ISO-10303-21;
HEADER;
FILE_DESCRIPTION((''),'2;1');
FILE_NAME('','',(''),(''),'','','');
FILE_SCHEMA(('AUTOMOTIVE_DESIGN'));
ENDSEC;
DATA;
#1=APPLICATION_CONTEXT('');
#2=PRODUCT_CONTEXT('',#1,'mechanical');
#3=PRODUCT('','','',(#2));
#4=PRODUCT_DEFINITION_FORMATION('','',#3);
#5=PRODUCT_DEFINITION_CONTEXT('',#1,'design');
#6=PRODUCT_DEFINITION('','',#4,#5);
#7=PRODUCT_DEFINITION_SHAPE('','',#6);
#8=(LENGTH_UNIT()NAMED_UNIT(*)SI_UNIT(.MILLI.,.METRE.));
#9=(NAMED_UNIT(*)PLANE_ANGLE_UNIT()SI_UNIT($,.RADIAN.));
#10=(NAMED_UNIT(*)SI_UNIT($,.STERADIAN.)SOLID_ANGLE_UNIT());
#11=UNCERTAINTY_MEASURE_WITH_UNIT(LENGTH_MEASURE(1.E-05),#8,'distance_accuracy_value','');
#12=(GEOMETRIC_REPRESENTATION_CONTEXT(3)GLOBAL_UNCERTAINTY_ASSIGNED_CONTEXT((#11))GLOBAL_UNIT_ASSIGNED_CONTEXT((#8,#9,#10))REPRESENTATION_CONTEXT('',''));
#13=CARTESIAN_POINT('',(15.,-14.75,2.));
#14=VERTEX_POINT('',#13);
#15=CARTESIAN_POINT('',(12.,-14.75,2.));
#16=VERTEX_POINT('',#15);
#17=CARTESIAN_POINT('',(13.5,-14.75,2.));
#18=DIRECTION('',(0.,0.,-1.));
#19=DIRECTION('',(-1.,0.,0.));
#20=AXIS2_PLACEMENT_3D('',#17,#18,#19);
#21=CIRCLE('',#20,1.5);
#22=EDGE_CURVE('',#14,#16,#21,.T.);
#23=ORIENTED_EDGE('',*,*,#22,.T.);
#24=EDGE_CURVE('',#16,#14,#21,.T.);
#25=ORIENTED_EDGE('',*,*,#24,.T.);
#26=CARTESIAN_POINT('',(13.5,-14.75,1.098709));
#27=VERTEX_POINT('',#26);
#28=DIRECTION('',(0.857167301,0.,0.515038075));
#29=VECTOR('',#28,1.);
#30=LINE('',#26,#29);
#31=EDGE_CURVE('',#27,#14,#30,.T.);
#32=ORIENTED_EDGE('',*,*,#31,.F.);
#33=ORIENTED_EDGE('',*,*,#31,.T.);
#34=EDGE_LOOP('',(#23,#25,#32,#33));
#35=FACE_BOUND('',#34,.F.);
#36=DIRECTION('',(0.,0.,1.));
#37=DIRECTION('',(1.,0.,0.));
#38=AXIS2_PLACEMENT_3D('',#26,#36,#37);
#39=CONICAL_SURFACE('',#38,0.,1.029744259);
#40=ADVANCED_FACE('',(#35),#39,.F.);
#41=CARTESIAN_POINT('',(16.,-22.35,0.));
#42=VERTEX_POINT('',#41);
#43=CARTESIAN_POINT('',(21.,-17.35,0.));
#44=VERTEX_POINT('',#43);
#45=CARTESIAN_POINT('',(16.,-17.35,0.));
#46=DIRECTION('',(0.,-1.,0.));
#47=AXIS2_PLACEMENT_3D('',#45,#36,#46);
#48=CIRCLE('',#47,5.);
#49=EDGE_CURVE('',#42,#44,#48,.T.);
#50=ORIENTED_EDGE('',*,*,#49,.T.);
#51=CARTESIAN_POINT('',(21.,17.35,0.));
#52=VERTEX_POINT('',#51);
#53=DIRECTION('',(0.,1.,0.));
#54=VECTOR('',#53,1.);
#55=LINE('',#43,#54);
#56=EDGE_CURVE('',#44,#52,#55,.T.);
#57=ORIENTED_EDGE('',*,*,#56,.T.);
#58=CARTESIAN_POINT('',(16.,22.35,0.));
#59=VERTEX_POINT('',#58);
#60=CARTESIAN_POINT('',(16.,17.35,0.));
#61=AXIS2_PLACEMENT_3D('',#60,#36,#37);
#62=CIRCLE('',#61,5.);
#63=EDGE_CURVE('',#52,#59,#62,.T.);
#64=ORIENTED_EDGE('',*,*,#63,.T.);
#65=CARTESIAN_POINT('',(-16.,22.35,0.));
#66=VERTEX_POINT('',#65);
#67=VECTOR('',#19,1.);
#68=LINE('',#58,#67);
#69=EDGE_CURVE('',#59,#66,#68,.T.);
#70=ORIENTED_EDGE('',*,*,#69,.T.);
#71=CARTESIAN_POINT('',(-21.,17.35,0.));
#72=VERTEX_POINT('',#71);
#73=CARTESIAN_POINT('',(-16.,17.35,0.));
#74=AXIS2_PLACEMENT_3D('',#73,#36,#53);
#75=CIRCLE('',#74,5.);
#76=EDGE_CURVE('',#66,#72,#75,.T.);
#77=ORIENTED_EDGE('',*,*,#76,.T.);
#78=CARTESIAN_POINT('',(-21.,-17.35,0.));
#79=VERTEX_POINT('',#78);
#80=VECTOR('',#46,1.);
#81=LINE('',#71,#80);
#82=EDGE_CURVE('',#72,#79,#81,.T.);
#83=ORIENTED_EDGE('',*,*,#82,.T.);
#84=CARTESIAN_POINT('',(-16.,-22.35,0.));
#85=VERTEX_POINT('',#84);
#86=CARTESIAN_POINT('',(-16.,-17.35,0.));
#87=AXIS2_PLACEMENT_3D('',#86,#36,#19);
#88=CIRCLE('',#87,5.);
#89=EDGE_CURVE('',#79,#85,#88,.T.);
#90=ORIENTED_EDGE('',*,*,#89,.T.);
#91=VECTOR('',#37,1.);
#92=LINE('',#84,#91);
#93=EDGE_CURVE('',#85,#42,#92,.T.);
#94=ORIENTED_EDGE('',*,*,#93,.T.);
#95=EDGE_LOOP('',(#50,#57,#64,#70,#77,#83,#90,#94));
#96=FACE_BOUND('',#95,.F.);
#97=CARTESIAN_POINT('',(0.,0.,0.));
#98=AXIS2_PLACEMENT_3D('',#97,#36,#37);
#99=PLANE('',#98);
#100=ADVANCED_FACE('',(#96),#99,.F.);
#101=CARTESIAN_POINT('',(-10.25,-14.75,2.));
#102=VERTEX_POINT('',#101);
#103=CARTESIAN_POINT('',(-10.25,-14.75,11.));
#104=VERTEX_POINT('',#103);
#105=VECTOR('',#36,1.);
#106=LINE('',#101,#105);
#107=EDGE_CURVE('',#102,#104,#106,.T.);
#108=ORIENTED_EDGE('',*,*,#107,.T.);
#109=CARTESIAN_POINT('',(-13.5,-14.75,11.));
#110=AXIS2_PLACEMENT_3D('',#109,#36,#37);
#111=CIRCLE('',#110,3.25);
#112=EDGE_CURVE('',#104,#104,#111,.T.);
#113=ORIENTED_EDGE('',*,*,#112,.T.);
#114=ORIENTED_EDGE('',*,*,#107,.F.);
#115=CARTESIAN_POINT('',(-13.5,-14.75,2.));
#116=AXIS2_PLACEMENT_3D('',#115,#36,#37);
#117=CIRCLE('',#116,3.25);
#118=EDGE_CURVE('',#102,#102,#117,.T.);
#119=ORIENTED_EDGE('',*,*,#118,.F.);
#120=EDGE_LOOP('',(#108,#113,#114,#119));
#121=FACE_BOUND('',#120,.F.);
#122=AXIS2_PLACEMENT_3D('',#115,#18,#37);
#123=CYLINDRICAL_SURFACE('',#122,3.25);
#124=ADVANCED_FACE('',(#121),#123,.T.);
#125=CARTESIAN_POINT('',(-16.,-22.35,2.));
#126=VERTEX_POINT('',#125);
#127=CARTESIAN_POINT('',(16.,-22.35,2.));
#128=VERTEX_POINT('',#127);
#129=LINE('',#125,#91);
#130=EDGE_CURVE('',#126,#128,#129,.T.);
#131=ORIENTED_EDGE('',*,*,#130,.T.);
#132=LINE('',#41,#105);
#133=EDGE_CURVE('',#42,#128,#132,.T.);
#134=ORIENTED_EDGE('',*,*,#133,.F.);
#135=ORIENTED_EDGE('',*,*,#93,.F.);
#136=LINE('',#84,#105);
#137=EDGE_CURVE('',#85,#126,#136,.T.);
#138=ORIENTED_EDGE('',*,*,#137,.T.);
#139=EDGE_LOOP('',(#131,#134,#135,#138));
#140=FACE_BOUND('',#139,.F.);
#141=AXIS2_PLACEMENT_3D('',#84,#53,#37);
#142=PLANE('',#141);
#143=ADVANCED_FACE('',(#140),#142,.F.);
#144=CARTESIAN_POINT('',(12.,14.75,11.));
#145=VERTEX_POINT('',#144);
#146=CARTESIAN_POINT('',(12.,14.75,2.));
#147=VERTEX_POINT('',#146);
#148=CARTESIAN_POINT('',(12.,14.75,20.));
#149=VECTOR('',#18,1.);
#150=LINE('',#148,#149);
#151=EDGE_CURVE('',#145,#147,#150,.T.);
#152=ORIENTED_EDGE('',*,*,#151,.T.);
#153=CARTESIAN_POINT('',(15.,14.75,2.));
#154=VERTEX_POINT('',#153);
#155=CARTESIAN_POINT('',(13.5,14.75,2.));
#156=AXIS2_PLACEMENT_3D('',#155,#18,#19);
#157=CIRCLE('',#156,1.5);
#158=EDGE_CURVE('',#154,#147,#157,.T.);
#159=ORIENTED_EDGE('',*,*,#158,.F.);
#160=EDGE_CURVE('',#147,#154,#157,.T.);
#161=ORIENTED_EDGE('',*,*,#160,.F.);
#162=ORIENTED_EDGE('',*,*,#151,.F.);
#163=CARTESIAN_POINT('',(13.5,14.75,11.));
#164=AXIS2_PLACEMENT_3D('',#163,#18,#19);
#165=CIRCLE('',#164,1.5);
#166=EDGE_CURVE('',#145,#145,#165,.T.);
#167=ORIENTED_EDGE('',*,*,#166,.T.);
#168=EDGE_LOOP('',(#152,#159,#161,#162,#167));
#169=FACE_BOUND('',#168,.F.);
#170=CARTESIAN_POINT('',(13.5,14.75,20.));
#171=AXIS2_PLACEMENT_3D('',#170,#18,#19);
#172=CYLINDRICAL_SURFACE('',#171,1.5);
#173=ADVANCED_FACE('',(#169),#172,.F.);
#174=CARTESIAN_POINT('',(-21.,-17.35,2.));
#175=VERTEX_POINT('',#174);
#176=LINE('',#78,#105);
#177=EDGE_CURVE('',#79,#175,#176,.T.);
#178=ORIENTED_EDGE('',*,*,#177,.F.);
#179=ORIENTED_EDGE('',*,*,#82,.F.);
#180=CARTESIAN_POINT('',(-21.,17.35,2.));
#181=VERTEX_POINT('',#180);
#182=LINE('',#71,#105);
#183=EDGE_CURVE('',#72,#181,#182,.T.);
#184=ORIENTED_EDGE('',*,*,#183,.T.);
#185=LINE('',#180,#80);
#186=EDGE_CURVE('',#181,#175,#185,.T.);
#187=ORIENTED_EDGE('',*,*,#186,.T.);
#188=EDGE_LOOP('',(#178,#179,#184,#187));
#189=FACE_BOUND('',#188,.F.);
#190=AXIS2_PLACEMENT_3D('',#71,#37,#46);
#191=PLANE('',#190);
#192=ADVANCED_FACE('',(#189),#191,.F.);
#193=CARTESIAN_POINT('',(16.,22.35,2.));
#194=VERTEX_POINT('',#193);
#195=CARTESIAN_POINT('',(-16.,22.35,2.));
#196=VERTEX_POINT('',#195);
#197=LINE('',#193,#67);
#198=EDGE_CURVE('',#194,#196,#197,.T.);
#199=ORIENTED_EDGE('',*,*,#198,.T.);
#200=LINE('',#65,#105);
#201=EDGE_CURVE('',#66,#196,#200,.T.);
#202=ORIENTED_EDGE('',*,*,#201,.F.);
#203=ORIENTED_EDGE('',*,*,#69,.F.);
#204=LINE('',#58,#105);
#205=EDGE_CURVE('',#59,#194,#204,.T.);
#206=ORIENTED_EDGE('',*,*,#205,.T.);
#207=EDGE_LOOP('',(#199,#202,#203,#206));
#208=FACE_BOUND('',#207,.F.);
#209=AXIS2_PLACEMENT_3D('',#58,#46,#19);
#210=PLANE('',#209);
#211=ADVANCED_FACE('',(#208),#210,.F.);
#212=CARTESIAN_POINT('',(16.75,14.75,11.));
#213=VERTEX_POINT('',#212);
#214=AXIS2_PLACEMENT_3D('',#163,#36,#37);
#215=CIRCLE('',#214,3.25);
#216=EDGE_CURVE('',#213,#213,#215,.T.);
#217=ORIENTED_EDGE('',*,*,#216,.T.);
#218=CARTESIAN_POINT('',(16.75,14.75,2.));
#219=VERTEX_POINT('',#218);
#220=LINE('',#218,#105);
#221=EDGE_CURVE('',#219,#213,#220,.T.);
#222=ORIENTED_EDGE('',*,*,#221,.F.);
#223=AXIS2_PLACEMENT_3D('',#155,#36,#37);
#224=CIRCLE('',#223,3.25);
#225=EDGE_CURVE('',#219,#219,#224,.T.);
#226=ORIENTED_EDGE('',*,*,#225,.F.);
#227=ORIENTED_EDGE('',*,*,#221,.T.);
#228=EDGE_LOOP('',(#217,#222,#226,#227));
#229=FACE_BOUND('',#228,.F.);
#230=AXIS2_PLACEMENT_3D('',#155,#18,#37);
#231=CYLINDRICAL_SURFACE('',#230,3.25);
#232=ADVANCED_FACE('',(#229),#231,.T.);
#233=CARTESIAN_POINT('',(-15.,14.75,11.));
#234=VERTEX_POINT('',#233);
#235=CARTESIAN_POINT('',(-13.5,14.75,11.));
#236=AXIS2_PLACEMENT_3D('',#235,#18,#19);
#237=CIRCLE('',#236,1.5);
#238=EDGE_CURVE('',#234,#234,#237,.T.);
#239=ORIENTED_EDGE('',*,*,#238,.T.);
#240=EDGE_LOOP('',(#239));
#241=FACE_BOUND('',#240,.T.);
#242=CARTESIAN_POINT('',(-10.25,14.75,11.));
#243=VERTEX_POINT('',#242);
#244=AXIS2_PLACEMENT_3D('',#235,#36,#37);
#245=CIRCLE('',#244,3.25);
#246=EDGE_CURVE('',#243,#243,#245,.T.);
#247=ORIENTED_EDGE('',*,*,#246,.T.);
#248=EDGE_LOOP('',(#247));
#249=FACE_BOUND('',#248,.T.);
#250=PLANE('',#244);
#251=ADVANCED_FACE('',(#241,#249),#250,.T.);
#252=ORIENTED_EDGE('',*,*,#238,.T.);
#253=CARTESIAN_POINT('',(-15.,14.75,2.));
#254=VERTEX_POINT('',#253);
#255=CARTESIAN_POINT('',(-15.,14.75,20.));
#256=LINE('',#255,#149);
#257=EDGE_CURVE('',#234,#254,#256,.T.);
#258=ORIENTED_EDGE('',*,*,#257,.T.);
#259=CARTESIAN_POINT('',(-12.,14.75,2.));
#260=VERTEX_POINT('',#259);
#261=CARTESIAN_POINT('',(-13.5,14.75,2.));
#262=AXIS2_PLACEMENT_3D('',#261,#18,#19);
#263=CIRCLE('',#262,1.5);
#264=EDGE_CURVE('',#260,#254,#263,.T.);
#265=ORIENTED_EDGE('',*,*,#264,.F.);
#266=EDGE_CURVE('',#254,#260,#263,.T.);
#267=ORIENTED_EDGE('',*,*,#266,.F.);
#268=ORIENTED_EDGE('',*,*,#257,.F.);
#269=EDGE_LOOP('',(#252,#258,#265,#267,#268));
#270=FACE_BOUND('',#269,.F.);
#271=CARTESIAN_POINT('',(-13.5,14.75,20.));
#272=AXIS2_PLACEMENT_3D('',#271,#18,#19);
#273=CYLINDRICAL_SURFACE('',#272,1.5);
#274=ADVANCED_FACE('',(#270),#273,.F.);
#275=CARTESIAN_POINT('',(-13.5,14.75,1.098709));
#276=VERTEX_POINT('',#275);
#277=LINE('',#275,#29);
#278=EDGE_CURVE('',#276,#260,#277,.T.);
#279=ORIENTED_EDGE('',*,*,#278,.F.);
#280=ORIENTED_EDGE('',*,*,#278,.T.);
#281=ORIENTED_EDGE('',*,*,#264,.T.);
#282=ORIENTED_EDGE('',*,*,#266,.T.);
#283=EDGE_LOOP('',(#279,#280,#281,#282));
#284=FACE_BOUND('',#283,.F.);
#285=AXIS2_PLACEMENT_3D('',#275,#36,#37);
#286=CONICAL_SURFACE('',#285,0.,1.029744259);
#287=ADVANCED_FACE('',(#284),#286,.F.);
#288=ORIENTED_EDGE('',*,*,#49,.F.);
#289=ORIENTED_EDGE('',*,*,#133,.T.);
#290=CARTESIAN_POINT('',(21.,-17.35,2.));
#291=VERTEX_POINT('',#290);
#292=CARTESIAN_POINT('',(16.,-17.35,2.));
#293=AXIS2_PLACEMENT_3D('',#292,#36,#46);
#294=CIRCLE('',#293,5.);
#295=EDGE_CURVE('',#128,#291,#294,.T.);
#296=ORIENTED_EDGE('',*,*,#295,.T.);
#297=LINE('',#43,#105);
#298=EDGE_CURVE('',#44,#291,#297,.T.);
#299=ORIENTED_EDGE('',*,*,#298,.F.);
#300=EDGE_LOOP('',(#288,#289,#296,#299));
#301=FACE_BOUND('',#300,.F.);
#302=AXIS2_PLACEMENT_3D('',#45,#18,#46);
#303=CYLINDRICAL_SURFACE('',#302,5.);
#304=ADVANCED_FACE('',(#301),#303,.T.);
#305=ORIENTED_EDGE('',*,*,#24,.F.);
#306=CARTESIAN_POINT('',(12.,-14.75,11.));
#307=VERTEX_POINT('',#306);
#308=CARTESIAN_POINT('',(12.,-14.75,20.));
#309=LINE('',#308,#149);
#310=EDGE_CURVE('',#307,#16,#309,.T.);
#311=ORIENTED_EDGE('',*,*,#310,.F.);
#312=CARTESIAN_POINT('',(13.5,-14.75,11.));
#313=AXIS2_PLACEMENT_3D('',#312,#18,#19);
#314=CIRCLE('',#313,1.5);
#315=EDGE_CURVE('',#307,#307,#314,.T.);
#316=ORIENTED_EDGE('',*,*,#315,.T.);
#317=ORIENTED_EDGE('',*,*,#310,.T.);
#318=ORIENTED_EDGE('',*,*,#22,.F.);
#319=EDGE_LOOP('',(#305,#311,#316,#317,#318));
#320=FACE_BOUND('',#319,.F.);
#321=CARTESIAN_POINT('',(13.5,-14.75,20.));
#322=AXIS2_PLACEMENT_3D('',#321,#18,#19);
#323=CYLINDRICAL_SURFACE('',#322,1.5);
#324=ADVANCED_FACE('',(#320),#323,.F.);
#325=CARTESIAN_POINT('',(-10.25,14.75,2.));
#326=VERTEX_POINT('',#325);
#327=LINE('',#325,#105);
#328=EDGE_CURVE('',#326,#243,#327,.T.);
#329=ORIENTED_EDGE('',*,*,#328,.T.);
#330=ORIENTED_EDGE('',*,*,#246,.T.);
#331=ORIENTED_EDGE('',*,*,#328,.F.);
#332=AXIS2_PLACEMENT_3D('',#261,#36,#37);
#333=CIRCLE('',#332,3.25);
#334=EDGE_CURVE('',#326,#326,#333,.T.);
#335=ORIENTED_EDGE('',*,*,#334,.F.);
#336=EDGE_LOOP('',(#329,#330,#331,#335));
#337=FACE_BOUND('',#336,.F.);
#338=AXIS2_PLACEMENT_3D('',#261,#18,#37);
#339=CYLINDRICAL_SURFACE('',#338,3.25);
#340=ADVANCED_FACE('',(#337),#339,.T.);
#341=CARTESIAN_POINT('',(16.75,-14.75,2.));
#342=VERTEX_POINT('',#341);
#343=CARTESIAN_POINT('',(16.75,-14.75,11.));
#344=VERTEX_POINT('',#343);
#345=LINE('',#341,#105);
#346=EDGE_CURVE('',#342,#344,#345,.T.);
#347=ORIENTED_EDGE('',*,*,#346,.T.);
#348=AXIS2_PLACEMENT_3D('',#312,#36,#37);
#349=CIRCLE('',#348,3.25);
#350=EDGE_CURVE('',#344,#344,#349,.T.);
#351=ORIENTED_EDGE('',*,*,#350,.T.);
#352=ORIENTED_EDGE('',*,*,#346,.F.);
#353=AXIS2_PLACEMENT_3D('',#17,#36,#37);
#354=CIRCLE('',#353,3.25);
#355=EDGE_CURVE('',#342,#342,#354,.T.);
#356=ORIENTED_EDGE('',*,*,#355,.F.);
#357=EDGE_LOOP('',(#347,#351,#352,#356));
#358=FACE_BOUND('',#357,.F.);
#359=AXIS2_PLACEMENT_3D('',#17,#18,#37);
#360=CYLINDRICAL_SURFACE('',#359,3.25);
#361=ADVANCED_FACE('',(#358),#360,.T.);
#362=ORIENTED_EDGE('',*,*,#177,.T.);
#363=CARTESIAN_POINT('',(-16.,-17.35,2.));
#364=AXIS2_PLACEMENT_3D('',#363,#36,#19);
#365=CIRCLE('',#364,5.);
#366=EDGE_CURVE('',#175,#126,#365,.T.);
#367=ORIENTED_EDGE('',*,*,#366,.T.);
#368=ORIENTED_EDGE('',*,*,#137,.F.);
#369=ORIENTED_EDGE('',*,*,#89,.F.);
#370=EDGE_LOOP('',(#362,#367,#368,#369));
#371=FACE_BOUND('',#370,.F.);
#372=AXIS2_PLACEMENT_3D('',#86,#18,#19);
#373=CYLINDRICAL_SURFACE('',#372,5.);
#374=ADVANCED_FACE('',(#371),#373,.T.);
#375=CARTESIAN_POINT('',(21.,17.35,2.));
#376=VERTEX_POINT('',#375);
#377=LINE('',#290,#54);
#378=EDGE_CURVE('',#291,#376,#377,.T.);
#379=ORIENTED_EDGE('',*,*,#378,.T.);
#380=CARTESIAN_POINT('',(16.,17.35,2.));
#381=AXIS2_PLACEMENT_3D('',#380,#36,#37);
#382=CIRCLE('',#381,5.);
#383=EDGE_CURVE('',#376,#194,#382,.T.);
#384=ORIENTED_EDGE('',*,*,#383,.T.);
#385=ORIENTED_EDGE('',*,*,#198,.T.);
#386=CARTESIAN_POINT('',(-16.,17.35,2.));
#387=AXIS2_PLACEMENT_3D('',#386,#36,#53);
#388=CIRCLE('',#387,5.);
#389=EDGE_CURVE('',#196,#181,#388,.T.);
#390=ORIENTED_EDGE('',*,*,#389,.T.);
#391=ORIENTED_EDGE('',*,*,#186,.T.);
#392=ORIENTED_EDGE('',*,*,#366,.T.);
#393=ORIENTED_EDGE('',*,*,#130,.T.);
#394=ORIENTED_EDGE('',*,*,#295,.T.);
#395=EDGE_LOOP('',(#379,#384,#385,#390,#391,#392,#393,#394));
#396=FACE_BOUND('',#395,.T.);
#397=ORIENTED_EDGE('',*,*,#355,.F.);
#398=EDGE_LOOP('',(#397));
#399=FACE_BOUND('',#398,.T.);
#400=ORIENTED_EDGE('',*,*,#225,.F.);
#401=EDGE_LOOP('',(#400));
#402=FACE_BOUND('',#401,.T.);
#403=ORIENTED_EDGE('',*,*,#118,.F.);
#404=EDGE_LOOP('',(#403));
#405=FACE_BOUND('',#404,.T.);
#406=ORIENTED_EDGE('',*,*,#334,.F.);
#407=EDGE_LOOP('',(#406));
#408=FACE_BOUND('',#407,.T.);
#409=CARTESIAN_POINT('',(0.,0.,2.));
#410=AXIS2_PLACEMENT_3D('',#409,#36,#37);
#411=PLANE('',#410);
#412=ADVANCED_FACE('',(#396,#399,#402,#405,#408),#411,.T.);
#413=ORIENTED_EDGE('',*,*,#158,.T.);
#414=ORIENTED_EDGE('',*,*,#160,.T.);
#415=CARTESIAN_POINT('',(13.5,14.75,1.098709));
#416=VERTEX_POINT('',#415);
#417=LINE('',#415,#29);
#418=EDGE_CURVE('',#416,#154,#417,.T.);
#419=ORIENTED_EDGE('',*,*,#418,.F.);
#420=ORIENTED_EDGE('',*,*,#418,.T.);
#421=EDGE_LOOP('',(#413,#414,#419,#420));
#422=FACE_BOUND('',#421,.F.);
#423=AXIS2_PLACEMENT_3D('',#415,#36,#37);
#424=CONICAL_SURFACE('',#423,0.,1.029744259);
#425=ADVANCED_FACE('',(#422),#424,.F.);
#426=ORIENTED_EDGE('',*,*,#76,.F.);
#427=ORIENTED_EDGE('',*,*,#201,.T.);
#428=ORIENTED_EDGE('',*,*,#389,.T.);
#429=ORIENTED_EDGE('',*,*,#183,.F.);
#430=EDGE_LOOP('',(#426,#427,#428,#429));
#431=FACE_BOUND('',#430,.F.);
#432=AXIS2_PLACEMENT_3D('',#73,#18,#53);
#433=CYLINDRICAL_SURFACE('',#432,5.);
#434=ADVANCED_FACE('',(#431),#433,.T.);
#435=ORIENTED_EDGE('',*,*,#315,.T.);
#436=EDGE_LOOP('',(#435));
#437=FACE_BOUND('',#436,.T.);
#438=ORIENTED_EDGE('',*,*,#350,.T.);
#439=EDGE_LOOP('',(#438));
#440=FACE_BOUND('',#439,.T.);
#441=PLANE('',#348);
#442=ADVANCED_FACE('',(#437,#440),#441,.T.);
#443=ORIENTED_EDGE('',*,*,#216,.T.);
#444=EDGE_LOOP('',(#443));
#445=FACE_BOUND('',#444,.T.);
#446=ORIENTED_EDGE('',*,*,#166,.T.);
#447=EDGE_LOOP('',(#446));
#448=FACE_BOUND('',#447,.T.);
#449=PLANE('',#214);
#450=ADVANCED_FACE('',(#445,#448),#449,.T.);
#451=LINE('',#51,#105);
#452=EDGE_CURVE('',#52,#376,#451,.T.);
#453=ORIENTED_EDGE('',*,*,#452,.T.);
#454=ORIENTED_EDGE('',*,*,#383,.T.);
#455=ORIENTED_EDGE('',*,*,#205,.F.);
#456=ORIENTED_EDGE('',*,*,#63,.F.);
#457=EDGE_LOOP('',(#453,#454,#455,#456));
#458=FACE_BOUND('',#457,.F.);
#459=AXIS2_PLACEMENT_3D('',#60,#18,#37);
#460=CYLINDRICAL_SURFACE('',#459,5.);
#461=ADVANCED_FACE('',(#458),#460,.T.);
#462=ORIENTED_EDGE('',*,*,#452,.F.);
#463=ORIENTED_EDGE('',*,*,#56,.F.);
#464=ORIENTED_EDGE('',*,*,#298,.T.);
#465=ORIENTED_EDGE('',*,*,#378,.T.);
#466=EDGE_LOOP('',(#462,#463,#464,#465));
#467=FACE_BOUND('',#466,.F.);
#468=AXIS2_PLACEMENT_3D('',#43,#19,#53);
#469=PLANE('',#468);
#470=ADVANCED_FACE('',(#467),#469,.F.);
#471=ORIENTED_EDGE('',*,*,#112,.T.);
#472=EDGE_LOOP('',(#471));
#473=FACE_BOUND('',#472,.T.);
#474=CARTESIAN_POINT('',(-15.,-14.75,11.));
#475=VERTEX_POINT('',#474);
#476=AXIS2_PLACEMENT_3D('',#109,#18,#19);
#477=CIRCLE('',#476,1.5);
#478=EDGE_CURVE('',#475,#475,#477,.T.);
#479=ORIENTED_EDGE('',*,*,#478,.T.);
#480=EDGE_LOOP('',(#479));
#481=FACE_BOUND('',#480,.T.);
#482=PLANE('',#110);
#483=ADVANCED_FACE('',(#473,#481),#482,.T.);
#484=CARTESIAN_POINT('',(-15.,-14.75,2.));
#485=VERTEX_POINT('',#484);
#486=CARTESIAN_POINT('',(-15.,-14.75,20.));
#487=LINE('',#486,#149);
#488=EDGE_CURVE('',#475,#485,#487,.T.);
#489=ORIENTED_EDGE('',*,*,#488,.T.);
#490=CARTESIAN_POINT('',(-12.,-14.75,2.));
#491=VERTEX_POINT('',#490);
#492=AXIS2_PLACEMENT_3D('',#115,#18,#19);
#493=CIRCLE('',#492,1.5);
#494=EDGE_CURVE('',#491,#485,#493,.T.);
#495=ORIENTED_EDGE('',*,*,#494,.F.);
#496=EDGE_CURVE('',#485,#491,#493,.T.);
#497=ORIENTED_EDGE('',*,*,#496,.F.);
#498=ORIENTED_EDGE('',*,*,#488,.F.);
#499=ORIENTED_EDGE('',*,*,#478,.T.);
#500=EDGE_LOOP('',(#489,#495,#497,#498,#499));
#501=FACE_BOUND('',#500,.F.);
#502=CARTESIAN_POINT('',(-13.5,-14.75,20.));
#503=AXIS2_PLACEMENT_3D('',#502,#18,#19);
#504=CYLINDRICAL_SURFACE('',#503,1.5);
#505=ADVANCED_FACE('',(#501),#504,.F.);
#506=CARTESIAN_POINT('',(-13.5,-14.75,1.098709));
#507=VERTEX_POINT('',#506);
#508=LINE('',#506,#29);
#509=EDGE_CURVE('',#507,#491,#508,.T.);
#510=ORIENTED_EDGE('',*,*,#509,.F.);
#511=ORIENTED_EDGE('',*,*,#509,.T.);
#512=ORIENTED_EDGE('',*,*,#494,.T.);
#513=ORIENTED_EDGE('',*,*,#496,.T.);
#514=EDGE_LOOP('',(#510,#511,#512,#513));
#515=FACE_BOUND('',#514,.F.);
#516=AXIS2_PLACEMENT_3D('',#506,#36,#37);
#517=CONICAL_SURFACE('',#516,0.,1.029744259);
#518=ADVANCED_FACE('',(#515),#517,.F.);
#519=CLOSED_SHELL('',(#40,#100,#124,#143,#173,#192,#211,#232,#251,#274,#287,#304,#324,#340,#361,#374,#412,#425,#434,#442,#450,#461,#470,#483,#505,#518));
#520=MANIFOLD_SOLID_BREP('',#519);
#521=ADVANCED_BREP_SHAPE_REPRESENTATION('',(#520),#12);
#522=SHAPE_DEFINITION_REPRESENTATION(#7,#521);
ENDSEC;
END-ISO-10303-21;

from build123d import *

# Parameters (mm, degrees)
F1_DEPTH = 2
F2_R     = 3.25
F3_DEPTH = 9
F5_D     = 3
F5_DEPTH = 9
F5_TIP   = 0.9012909285


with BuildPart() as f1:
    # F0 (on Top) → F1 (new body)
    with BuildSketch(Plane.XY):
        with BuildLine():
            ThreePointArc((21, 17.35), (19.5355339059, 20.8855339059), (16, 22.35))
            Line((16, 22.35), (-16, 22.35))
            ThreePointArc((-16, 22.35), (-19.5355339059, 20.8855339059), (-21, 17.35))
            Line((-21, 17.35), (-21, -17.35))
            ThreePointArc((-21, -17.35), (-19.5355339059, -20.8855339059), (-16, -22.35))
            Line((-16, -22.35), (16, -22.35))
            ThreePointArc((16, -22.35), (19.5355339059, -20.8855339059), (21, -17.35))
            Line((21, -17.35), (21, 17.35))
        make_face()
    extrude(amount=F1_DEPTH)

    # F2 (on face) → F3 (join)
    with BuildSketch(Plane.XY.offset(2)):
        with Locations((13.5, -14.75)):
            Circle(F2_R)
        with Locations((-13.5, 14.75)):
            Circle(F2_R)
        with Locations((13.5, 14.75)):
            Circle(F2_R)
        with Locations((-13.5, -14.75)):
            Circle(F2_R)
    extrude(amount=F3_DEPTH)

    # F5
    with Locations(Plane.XY.offset(11)):
        with Locations((-13.5, 14.75), (13.5, 14.75), (13.5, -14.75), (-13.5, -14.75)):
            Hole(F5_D / 2, depth=F5_DEPTH)
            with Locations((0, 0, -(F5_DEPTH + F5_TIP / 2))):  # 118° drill point
                Cone(0, F5_D / 2, F5_TIP, mode=Mode.SUBTRACT)


solid = f1.part
